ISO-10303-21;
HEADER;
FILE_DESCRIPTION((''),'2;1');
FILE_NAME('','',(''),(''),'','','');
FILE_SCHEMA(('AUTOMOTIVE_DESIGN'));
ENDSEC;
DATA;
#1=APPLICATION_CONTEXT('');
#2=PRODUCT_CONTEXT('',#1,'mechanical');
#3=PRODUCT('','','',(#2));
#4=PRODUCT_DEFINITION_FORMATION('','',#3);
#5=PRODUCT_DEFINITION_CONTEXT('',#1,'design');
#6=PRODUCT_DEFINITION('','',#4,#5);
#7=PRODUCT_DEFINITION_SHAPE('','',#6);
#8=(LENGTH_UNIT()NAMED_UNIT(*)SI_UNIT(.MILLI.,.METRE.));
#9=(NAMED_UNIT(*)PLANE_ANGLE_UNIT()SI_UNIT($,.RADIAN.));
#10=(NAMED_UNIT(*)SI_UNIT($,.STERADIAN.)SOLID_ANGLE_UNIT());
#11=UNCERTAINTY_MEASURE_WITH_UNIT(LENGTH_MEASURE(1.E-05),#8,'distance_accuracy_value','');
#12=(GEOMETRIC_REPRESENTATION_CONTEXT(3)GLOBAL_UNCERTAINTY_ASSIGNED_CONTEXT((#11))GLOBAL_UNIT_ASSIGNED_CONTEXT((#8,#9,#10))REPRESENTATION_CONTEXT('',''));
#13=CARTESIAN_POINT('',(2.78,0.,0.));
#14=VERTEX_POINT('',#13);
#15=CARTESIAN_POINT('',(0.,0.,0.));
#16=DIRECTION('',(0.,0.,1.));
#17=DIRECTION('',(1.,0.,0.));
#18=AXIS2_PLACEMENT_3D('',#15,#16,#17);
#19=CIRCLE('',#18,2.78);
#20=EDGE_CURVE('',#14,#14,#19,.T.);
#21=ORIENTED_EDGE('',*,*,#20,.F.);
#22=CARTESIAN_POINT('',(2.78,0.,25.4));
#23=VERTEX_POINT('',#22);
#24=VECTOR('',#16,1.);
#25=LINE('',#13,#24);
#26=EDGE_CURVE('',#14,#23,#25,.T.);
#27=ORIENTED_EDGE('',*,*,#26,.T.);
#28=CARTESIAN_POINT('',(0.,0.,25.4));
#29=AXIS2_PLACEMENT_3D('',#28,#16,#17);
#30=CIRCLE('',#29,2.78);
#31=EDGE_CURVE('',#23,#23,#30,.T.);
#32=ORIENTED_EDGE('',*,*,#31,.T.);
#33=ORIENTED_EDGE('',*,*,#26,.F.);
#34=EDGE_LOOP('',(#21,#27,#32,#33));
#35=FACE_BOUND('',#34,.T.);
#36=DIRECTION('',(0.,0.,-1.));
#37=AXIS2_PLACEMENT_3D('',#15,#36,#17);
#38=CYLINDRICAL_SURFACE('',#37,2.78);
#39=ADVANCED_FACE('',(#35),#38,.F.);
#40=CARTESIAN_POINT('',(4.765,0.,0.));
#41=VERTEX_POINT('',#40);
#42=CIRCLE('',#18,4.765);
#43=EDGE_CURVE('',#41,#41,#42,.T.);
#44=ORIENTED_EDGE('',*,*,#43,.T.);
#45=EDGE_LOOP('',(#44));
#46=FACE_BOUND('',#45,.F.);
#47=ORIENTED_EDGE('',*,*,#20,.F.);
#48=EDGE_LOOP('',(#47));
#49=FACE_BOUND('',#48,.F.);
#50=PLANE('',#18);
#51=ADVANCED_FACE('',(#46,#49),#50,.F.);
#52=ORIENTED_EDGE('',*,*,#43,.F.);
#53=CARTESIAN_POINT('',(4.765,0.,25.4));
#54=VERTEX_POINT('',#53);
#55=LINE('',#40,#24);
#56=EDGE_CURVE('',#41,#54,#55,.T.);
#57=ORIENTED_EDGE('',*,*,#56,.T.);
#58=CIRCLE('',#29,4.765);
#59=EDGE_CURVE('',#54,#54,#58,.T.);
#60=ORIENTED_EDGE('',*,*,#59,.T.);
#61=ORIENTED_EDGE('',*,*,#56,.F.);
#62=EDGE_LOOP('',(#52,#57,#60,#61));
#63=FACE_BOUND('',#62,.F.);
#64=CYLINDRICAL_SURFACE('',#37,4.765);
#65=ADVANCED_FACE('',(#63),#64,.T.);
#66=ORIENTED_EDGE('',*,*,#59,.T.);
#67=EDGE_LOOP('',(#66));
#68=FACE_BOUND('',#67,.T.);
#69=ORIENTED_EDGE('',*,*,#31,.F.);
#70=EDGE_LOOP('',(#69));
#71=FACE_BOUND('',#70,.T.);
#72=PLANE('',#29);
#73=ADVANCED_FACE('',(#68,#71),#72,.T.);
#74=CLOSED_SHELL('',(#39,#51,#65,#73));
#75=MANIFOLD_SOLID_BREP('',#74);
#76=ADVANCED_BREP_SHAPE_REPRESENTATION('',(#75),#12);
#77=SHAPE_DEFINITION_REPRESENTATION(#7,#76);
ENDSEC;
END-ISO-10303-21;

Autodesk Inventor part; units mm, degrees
ref_plane "YZ Plane" through (0, 0, 0) normal (1, 0, 0) x (0, 1, 0)
ref_plane "XZ Plane" through (0, 0, 0) normal (0, 1, 0) x (-1, 0, 0)
ref_plane "XY Plane" through (0, 0, 0) normal (0, 0, 1) x (1, 0, 0)
sketch "Sketch1" plane through (0, 0, 0) normal (0, 0, 1) x (1, 0, 0)
  circle A0 centre (0, 0) radius 2.78
  circle A1 centre (0, 0) radius 4.765
  dimension "d0" = 5.56
  dimension "d1" = 9.53
extrude "Extrusion1" add sketch "Sketch1" along normal blind 25.4
properties part number "AS38-12-64" material "Aluminum 6061"
